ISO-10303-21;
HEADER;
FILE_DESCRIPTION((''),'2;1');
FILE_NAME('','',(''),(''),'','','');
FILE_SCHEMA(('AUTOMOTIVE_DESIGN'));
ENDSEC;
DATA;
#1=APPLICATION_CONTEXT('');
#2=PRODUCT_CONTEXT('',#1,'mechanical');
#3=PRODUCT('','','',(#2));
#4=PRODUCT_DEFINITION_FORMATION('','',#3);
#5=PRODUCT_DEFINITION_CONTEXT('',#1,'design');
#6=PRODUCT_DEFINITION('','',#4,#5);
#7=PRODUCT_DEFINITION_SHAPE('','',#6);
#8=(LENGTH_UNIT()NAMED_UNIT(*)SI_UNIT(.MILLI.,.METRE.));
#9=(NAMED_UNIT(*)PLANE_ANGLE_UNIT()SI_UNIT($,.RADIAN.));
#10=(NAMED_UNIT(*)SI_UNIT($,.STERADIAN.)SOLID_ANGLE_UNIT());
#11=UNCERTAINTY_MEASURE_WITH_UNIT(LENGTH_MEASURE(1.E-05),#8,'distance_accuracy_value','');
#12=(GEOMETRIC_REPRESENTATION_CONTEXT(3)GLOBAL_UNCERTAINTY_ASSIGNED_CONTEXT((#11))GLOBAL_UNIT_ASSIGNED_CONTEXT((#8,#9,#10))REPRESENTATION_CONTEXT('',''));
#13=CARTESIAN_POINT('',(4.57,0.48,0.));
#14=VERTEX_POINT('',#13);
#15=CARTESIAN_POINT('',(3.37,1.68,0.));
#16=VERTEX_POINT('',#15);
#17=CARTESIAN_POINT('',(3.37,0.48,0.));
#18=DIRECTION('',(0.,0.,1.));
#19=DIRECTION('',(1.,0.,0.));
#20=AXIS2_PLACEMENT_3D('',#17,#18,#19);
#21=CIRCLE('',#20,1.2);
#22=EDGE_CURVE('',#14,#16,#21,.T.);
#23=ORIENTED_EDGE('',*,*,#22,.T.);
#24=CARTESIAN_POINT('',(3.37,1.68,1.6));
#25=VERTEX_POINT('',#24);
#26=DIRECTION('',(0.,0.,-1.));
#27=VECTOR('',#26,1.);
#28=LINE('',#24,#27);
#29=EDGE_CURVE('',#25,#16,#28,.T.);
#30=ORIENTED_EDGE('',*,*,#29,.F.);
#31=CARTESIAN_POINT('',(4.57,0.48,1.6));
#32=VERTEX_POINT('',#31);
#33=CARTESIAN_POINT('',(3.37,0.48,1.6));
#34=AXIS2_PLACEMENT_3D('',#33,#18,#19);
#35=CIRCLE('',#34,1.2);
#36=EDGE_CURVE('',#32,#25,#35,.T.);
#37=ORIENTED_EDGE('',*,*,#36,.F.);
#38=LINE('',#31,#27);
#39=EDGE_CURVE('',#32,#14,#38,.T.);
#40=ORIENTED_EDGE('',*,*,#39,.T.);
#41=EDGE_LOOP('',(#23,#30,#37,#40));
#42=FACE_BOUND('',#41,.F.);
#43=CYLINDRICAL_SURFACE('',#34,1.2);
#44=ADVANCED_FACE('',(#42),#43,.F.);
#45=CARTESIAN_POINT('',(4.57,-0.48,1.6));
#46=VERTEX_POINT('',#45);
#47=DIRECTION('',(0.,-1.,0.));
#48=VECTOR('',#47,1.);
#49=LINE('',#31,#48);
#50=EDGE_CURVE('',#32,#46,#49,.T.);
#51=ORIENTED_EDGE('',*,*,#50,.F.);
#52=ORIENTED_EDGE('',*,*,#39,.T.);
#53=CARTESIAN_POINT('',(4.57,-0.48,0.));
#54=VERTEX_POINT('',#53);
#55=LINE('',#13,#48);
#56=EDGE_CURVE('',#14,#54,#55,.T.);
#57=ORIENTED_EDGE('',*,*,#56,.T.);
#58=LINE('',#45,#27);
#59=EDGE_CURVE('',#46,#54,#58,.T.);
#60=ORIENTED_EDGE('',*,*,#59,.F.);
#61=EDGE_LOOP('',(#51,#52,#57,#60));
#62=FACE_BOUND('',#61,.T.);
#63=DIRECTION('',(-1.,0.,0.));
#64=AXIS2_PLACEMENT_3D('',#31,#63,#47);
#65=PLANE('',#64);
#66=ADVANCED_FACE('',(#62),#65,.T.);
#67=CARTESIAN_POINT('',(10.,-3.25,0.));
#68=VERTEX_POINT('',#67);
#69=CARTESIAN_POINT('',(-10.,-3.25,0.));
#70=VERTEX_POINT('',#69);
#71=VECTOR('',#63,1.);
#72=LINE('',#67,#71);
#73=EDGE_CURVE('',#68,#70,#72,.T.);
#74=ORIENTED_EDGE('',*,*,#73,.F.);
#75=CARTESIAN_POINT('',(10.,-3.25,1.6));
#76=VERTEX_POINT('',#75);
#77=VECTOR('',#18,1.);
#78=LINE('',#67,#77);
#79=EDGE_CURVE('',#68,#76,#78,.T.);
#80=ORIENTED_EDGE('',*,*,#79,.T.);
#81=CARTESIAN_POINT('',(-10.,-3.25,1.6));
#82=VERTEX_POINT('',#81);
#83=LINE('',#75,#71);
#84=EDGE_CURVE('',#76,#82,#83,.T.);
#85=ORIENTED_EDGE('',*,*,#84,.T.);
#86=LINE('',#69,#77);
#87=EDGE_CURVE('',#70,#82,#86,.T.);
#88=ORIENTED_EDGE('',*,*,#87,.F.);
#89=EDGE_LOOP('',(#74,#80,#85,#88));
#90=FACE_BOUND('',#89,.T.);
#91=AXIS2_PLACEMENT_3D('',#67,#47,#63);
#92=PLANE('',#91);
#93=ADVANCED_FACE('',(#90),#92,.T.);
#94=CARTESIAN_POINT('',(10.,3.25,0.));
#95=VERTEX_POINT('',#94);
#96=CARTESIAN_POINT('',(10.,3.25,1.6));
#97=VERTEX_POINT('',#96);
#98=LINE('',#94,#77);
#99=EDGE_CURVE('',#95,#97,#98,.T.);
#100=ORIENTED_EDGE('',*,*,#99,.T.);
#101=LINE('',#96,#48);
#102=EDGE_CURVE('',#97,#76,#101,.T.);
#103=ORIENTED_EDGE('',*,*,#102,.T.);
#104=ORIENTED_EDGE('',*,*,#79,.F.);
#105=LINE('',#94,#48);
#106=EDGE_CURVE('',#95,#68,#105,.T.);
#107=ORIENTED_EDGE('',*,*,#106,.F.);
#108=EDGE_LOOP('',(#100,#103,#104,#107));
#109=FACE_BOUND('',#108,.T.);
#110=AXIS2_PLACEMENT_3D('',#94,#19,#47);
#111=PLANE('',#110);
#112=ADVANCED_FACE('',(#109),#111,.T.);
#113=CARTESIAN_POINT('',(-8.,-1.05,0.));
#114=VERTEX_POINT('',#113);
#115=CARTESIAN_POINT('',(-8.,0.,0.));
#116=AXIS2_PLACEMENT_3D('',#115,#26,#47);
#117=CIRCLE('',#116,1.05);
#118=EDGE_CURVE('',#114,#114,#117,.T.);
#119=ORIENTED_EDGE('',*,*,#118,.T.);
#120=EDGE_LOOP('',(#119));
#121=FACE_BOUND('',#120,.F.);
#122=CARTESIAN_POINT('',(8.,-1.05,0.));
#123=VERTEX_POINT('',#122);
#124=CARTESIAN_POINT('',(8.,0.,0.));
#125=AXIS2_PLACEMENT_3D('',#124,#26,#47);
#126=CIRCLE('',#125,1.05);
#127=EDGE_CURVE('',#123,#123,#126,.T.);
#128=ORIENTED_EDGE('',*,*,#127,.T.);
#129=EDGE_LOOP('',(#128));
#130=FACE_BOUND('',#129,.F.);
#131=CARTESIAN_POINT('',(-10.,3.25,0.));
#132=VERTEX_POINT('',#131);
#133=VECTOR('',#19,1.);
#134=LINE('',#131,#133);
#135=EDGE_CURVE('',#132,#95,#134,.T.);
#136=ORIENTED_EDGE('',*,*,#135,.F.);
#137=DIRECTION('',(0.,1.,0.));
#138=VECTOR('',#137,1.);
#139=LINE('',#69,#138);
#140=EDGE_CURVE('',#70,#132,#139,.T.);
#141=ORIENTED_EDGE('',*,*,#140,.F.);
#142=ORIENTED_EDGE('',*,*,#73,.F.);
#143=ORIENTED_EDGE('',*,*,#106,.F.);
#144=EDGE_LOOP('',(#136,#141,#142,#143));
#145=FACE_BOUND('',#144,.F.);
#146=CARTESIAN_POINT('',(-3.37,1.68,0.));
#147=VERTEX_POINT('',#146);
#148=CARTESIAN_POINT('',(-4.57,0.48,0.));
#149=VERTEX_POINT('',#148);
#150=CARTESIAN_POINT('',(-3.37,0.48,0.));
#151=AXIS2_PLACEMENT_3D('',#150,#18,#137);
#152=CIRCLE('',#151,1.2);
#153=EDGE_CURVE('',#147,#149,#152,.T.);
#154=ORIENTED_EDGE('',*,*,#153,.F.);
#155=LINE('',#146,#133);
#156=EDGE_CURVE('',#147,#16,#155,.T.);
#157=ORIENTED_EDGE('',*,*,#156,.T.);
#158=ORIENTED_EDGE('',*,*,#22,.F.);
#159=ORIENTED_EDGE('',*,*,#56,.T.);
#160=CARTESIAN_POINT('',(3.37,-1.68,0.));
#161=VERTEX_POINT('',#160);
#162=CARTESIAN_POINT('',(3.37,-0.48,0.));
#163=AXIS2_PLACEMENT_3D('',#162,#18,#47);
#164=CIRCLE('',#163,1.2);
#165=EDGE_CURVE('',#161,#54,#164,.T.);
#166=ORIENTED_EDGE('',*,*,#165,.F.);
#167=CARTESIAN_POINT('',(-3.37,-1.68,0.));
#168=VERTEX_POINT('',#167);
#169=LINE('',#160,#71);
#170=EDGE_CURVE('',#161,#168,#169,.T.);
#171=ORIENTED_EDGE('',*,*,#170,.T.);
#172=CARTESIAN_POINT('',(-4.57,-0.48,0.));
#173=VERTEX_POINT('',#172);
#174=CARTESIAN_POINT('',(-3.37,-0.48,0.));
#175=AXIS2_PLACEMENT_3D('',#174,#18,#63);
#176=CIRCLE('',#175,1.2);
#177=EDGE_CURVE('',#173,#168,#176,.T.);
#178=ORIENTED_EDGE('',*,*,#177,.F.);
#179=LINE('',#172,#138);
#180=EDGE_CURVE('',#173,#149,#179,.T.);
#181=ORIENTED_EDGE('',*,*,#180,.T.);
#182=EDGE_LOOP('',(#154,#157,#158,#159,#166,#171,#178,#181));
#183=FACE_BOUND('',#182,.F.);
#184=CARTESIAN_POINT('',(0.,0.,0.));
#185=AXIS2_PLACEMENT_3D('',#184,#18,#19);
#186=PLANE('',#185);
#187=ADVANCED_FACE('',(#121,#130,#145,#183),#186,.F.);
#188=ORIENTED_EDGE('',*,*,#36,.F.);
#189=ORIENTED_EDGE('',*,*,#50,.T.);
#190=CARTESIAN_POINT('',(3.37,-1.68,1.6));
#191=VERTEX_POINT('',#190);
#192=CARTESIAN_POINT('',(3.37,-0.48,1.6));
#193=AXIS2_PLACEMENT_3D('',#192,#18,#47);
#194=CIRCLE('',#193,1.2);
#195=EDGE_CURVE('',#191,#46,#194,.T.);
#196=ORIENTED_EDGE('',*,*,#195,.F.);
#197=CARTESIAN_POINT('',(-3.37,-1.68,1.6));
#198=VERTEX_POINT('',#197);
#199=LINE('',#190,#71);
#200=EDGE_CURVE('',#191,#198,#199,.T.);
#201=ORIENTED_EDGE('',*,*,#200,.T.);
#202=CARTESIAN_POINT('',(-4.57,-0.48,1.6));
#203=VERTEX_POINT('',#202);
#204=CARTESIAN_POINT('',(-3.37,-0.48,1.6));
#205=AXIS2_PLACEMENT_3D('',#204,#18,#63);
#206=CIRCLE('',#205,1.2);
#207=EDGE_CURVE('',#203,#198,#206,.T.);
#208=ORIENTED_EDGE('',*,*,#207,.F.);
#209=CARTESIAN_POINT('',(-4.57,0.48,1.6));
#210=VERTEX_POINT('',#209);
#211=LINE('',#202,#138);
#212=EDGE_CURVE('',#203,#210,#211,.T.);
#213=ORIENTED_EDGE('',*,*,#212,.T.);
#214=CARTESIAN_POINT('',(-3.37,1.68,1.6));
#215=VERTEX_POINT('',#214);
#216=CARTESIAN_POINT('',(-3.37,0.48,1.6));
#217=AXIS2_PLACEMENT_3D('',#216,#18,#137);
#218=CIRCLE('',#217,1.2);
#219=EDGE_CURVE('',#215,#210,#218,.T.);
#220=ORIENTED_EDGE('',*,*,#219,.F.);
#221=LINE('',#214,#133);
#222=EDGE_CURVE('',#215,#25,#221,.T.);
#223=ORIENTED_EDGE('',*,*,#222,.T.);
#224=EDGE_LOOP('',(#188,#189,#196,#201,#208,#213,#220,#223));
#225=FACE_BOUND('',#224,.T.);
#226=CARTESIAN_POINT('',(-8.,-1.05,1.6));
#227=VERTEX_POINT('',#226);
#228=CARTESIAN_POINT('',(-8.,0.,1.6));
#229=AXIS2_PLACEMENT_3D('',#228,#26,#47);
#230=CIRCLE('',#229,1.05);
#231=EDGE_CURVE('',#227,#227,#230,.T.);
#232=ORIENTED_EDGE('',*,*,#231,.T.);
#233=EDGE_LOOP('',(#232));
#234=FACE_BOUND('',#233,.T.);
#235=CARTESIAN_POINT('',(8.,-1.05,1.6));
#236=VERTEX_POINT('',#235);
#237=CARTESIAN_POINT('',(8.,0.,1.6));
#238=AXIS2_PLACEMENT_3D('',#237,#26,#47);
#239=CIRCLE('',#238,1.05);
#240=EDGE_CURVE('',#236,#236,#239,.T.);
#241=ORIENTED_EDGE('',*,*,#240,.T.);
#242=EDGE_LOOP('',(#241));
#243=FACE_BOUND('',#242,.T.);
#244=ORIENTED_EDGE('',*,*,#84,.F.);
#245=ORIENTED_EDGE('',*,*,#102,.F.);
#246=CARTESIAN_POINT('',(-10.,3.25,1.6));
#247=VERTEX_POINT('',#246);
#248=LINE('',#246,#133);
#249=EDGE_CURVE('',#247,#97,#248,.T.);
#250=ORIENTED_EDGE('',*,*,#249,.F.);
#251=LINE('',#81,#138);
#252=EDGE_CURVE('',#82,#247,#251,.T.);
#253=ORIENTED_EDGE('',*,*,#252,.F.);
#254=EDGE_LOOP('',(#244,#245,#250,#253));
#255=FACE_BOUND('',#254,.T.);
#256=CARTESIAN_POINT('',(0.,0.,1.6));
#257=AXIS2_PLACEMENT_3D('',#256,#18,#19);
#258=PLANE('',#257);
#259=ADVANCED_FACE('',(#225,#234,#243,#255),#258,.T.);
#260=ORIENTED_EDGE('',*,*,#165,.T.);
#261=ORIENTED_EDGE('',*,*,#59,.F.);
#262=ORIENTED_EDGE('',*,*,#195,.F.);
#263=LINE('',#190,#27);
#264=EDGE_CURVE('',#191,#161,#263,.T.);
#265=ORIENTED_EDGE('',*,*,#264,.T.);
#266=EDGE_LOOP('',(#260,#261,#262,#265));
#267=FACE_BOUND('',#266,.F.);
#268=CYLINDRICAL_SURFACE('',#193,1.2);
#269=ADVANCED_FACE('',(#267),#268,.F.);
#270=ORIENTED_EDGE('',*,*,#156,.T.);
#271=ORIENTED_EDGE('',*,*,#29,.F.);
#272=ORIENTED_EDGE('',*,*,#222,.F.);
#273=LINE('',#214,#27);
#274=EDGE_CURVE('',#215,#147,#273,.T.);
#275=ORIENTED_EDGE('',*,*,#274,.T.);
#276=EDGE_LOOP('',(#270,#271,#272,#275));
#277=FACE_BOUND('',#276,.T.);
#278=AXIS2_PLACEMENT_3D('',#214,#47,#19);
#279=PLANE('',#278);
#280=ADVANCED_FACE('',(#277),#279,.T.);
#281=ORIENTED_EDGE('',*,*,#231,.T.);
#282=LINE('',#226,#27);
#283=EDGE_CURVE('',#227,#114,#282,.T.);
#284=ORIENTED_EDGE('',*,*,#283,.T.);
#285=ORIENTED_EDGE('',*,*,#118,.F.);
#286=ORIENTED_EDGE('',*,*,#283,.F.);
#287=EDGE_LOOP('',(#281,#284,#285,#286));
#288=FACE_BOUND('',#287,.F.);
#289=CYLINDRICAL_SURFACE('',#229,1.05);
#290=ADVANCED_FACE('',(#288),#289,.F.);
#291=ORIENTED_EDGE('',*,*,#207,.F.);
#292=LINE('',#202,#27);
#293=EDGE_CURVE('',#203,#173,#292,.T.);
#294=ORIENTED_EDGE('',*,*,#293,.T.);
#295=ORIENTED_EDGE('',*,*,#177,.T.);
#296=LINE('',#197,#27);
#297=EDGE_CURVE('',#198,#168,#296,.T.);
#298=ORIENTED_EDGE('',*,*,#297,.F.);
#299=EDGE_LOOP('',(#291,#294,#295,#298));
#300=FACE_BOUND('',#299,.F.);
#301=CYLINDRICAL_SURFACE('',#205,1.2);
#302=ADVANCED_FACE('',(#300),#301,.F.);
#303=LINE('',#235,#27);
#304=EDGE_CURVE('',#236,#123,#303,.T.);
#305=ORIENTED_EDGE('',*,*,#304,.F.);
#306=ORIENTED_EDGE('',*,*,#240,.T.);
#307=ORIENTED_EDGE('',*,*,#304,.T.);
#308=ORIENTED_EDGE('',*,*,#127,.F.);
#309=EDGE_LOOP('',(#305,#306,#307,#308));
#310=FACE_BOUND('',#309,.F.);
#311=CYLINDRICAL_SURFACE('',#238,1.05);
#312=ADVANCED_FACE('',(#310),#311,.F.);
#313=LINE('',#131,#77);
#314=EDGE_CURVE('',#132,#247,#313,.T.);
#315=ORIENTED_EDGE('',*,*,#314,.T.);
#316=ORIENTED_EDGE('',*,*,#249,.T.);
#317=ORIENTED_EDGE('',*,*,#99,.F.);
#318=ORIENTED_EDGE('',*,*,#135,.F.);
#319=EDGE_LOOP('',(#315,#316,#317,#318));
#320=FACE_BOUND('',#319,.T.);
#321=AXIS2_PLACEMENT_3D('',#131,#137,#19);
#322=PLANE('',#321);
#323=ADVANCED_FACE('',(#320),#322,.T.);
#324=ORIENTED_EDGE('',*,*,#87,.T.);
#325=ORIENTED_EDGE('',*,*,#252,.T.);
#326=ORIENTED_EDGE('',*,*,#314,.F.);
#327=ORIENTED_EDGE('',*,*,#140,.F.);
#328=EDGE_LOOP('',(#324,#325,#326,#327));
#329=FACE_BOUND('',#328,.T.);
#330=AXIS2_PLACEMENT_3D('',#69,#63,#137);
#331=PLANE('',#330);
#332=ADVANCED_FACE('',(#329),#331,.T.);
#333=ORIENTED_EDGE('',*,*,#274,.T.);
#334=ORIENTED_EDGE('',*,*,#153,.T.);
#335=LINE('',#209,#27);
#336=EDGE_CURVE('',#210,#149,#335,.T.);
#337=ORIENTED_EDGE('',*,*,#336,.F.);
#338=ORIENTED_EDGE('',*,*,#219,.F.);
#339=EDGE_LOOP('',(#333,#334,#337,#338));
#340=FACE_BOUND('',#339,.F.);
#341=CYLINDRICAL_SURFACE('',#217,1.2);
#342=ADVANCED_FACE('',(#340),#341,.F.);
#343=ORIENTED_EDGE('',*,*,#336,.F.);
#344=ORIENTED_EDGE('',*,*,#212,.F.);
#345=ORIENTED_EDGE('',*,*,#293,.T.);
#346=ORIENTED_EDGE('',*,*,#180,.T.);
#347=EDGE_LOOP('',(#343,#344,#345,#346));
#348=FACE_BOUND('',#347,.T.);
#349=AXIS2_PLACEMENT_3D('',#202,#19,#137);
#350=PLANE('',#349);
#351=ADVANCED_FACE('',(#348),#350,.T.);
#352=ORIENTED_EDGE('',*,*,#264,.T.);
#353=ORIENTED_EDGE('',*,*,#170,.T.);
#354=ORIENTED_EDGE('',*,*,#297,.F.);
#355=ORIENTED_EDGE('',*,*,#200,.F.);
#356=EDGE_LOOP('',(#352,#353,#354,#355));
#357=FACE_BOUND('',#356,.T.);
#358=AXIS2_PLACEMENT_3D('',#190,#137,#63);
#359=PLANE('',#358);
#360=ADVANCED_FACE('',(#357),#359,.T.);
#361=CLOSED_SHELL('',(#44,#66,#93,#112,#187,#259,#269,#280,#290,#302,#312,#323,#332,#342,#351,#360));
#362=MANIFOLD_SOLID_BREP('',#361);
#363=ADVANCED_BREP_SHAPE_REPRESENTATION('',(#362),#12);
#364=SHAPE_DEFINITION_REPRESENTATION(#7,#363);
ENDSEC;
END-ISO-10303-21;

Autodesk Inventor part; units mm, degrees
ref_plane "YZ Plane" through (0, 0, 0) normal (1, 0, 0) x (0, 1, 0)
ref_plane "XZ Plane" through (0, 0, 0) normal (0, 1, 0) x (-1, 0, 0)
ref_plane "XY Plane" through (0, 0, 0) normal (0, 0, 1) x (1, 0, 0)
sketch "Sketch1" plane through (0, 0, 0) normal (0, 0, 1) x (1, 0, 0)
  line L0 (-10, 3.25) -> (10, 3.25)
  line L1 (10, 3.25) -> (10, -3.25)
  line L2 (10, -3.25) -> (-10, -3.25)
  line L3 (-10, -3.25) -> (-10, 3.25)
  line L4 (-10, 3.25) -> (10, -3.25) construction
  line L5 (10, 3.25) -> (-10, -3.25) construction
  point P0 (0, 0)
  dimension "d0" = 20
  dimension "d1" = 6.5
extrude "Extrusion1" add sketch "Sketch1" along normal blind 1.6
sketch "Sketch2" plane through (0, 0, 1.6) normal (0, 0, 1) x (1, 0, 0)
  line L0 (10, -3.25) -> (10, 3.25) projected
  line L1 (-10, 3.25) -> (-10, -3.25) projected
  line L2 (10, 3.25) -> (-10, 3.25) projected
  point P0 (0, 0)
  point P1 (-8, 0)
  point P2 (8, 0)
  dimension "d4" = 2
  dimension "d5" = 2
  dimension "d6" = 3.25
  dimension "d7" = 3.25
hole "Hole1" at (-8, 0, 1.6) at (8, 0, 1.6) direction (0, 0, -1) diameter 2.1 end through all
sketch "Sketch3" plane through (0, 0, 1.6) normal (0, 0, 1) x (1, 0, 0)
  line L0 (-3.37, 1.68) -> (3.37, 1.68)
  line L1 (4.57, 0.48) -> (4.57, -0.48)
  line L2 (3.37, -1.68) -> (-3.37, -1.68)
  line L3 (-4.57, -0.48) -> (-4.57, 0.48)
  line L4 (-4.57, 1.68) -> (4.57, -1.68) construction
  line L5 (4.57, 1.68) -> (-4.57, -1.68) construction
  arc A0 (-3.37, 1.68) -> (-4.57, 0.48) centre (-3.37, 0.48) ccw
  arc A1 (4.57, 0.48) -> (3.37, 1.68) centre (3.37, 0.48) ccw
  arc A2 (3.37, -1.68) -> (4.57, -0.48) centre (3.37, -0.48) ccw
  arc A3 (-4.57, -0.48) -> (-3.37, -1.68) centre (-3.37, -0.48) ccw
  point P0 (0, 0)
  point P1 (-4.57, 0)
  point P2 (4.57, 0)
  dimension "d15" = 9.14
  dimension "d16" = 3.36
  dimension "d17" = 1.2
extrude "Extrusion2" cut sketch "Sketch3" against normal blind 1.6
properties part number "USB-C_face_plate"
